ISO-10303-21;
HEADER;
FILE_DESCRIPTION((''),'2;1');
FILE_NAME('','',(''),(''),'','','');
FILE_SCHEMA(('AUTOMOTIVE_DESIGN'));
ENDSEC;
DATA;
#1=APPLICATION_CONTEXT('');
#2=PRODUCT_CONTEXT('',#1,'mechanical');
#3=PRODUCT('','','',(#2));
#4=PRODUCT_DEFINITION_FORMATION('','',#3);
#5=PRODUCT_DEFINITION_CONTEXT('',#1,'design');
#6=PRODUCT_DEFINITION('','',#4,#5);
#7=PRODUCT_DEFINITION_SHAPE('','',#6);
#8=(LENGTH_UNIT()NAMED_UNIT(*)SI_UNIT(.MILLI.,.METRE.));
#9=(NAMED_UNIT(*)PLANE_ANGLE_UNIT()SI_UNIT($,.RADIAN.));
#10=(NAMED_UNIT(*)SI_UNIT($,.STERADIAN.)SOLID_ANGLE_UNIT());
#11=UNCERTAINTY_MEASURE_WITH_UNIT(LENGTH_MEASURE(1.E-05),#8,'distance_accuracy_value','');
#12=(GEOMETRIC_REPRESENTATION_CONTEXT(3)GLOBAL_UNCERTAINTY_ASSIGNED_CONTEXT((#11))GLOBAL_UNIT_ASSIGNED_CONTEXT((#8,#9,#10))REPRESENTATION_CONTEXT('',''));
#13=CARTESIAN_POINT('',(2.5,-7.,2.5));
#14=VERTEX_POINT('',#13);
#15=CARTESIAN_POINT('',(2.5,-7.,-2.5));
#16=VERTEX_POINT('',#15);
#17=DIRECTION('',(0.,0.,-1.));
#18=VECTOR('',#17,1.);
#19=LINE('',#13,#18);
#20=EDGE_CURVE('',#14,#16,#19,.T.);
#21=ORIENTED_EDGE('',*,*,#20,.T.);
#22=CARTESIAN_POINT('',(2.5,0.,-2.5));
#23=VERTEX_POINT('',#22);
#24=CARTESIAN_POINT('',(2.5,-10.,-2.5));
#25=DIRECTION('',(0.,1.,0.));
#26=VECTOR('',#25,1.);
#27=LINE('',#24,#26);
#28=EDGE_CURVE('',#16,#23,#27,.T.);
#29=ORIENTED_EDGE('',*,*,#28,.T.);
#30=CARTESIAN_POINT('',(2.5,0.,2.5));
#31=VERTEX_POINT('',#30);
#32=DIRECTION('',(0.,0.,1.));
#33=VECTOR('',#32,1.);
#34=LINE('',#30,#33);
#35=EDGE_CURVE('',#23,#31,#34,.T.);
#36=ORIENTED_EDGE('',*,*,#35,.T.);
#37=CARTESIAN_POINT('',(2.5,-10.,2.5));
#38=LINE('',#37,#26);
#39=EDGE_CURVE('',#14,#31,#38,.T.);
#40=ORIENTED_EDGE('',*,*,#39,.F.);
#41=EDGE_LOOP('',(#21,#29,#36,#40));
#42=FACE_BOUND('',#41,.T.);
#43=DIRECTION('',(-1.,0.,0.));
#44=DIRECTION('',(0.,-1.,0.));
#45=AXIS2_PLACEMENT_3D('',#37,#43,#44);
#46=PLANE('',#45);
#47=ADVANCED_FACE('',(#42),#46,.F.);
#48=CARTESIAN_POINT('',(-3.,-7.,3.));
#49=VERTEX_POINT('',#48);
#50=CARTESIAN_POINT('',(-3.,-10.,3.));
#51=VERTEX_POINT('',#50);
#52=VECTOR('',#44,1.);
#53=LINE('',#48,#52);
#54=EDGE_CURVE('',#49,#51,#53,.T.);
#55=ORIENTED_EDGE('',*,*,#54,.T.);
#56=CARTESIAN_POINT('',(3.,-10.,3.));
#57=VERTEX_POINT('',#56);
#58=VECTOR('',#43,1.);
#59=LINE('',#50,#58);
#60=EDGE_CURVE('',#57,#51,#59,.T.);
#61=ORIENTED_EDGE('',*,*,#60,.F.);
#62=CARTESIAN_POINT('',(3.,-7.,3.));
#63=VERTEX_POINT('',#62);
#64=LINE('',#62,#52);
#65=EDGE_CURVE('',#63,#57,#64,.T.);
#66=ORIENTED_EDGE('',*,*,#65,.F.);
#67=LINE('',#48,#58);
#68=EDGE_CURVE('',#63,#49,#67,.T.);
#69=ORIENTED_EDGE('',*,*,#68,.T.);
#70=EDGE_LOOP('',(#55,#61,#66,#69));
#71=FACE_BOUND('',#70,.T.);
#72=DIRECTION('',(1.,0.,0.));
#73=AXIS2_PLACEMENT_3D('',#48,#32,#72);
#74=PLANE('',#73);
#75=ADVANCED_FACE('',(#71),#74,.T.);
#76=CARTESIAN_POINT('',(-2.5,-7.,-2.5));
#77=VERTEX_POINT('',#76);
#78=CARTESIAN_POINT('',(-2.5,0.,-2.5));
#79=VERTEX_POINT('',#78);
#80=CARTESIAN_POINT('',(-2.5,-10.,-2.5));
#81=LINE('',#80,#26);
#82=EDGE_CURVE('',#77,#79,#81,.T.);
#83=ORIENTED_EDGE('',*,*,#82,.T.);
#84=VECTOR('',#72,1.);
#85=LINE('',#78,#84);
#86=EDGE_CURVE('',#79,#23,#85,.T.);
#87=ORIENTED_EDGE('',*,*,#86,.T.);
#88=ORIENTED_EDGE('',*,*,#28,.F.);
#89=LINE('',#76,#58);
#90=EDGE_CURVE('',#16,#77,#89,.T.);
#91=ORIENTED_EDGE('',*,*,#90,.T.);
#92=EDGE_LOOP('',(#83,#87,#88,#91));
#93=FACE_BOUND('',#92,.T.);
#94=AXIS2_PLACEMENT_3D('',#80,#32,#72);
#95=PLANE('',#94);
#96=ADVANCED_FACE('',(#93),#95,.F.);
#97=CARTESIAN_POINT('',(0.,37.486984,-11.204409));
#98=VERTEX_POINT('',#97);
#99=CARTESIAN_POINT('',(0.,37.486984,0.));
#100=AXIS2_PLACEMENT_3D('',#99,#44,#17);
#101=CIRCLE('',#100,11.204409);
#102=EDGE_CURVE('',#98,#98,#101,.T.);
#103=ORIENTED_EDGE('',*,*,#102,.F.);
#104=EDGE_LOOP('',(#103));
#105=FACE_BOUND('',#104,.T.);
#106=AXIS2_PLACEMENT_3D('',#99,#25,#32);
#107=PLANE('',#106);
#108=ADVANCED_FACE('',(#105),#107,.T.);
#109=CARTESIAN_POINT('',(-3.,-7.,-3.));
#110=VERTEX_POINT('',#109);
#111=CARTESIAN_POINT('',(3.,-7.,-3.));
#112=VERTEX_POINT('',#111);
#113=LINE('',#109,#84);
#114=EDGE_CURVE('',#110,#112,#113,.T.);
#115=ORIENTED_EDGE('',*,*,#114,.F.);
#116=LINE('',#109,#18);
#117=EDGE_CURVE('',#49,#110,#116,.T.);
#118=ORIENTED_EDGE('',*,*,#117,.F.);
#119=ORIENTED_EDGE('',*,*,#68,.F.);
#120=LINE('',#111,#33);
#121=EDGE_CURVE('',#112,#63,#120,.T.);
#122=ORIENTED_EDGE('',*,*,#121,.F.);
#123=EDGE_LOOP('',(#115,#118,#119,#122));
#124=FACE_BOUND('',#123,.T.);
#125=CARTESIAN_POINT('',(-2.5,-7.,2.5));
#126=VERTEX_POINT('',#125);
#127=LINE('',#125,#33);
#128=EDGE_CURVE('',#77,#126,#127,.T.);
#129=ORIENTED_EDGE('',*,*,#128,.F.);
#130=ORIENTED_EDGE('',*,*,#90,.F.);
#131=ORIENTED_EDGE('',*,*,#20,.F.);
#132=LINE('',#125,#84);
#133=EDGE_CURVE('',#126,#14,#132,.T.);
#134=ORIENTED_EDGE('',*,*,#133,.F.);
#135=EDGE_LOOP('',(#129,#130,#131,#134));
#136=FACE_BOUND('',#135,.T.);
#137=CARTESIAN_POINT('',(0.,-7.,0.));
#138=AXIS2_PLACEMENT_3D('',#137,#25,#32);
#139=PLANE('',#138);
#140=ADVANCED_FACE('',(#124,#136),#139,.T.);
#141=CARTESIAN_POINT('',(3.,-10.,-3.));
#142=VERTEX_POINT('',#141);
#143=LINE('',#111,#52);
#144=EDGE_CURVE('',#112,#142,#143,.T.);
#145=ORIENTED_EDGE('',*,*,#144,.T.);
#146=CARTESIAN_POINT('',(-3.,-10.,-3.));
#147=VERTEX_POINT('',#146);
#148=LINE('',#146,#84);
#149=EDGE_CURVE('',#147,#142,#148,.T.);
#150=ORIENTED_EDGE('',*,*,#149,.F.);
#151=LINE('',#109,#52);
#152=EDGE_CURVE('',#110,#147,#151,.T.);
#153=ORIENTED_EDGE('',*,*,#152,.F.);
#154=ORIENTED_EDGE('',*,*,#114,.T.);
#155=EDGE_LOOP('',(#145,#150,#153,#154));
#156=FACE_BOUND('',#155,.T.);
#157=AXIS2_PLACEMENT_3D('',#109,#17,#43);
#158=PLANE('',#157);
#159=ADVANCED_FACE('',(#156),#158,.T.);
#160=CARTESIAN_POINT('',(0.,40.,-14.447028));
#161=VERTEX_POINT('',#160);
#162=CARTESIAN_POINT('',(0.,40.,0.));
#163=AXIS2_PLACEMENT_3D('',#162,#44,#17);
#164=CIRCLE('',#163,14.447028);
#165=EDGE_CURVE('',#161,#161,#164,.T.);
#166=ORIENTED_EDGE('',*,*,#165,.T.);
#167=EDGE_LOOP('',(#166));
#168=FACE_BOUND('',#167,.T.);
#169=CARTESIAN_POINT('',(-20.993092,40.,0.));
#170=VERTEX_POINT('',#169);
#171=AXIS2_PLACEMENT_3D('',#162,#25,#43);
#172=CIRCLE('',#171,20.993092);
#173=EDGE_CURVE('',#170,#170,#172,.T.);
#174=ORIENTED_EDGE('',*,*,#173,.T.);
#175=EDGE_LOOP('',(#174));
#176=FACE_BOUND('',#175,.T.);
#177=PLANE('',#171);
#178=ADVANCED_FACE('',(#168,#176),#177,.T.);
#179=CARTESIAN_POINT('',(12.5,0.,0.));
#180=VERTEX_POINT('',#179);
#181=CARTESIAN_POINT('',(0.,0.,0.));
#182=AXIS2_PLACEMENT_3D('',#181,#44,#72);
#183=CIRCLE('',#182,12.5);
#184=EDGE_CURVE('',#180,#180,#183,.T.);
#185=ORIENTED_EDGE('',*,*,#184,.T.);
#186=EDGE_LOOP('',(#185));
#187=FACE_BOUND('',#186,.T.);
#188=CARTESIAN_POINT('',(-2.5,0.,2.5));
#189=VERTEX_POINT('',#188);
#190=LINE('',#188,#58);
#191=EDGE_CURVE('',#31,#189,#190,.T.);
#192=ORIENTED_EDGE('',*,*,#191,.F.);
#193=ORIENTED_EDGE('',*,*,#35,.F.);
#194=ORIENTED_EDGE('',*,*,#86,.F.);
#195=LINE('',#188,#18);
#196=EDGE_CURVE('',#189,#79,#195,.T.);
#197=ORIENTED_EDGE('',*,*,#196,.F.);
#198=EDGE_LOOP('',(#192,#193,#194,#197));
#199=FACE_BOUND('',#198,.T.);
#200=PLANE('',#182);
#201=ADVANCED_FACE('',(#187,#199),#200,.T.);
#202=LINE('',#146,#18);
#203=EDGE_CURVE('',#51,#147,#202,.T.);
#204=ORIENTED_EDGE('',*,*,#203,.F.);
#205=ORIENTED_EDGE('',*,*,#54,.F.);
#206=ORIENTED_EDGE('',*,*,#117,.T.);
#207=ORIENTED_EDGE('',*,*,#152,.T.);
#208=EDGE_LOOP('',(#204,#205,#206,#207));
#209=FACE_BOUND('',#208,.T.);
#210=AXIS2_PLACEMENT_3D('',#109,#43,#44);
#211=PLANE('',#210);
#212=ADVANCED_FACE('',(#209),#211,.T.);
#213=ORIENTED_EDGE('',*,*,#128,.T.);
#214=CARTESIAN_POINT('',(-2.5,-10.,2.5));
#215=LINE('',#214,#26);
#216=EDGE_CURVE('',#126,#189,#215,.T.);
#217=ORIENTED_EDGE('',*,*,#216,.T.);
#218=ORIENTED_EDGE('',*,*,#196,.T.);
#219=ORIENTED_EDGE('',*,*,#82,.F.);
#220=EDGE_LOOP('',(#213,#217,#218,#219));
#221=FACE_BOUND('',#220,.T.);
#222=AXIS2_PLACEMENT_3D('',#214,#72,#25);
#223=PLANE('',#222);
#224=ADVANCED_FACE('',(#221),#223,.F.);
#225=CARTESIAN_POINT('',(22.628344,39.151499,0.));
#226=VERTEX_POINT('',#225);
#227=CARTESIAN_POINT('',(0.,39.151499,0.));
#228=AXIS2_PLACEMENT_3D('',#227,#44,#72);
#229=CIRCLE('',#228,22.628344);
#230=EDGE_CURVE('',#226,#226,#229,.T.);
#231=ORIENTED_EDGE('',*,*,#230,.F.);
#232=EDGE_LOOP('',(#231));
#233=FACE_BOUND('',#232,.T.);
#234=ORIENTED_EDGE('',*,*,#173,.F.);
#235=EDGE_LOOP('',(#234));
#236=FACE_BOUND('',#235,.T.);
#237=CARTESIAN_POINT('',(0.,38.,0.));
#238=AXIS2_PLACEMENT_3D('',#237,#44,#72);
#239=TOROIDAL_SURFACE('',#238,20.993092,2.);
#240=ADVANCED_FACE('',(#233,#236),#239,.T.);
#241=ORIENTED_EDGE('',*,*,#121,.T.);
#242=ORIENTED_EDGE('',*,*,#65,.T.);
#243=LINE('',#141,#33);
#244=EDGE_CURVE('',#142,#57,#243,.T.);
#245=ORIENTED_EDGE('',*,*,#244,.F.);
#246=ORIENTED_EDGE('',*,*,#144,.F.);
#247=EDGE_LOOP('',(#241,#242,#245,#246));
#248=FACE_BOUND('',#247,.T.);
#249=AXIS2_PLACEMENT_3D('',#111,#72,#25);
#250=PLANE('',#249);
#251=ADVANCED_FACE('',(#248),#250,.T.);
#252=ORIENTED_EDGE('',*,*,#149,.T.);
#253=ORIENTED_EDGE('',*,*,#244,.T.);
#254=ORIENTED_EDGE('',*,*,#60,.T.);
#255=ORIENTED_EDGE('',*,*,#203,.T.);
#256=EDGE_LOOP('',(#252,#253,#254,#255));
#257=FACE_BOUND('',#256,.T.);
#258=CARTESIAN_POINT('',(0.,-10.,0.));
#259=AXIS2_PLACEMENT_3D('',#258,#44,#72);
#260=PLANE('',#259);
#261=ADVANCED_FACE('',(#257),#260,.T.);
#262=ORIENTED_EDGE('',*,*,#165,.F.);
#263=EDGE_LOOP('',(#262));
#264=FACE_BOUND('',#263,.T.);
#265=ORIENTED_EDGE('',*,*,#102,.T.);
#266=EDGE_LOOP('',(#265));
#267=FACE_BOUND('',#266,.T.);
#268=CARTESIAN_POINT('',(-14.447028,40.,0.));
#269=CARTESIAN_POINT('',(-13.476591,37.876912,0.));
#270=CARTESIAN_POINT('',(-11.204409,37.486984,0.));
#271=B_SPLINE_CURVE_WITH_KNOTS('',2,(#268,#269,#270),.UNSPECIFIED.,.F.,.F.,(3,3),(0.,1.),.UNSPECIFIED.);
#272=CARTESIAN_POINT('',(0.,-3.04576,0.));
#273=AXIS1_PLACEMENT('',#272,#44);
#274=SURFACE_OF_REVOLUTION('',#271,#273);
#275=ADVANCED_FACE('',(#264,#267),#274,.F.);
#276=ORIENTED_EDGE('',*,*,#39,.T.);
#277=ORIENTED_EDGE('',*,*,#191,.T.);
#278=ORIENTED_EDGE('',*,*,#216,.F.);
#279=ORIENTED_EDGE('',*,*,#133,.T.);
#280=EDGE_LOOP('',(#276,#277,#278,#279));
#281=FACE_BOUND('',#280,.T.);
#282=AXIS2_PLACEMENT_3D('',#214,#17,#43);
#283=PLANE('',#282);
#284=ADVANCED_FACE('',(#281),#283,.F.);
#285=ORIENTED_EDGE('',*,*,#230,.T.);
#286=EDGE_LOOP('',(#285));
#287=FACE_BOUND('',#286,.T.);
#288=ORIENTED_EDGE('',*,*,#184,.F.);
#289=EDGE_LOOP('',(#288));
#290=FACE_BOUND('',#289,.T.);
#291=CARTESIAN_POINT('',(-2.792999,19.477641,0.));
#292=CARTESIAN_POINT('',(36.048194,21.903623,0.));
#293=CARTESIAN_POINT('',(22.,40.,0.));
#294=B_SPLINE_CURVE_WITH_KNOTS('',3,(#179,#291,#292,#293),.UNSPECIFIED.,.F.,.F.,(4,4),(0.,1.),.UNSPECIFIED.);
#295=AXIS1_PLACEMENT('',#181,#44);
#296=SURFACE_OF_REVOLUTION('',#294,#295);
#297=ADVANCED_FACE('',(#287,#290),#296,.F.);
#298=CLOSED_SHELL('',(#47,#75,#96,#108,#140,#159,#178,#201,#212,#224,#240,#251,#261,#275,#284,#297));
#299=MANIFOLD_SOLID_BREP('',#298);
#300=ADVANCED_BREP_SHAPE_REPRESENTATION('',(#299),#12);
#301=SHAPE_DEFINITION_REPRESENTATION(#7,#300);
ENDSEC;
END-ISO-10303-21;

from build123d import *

# Parameters (mm, degrees)
CONG_2_R           = 2
ESQUISSE3_W        = 5
ESQUISSE3_H        = 5
BOSS_EXTRU_1_DEPTH = 10
ESQUISSE4_W        = 6
ESQUISSE4_H        = 6
BOSS_EXTRU_2_DEPTH = 3


with BuildPart() as part:
    # Esquisse1 → Révolution1 (revolve)
    with BuildSketch(Plane.XY):
        with BuildLine():
            Line((0, 0), (12.5, 0))
            add(Edge.make_bspline(
                [(12.5, 0), (-2.792999131, 19.477640693), (36.048194097, 21.903623333), (22, 40)],
                knots=[0, 0, 0, 0, 1, 1, 1, 1], degree=3))
            Line((22, 40), (0, 40))
            Line((0, 40), (0, 0))
        make_face()
    revolve(axis=Axis((0, 0, 0), (0, 1, 0)))

    # Esquisse2 → Enlèvement de matière-Révolution1 (revolve, cut)
    with BuildSketch(Plane.XY):
        with BuildLine():
            Line((-14.44702814, 40), (0, 40))
            Line((0, 40), (0, 37.486983962))
            Line((0, 37.486983962), (-11.204408598, 37.486983962))
            add(Edge.make_bspline(
                [(-14.44702814, 40), (-13.476590785, 37.876911576), (-11.204408598, 37.486983962)],
                knots=[0, 0, 0, 1, 1, 1], degree=2))
        make_face()
    revolve(axis=Axis((0, -3.04576032, 0), (0, 1, 0)), mode=Mode.SUBTRACT)

    # Congé2
    cong_2_edges = [part.edges().sort_by_distance(p)[0] for p in [
        (-22, 40, 0),
    ]]
    fillet(cong_2_edges, radius=CONG_2_R)

    # Esquisse3 → Boss.-Extru.1 (add)
    with BuildSketch(Plane.XZ):
        Rectangle(ESQUISSE3_W, ESQUISSE3_H)
    extrude(amount=BOSS_EXTRU_1_DEPTH)

    # Esquisse4 → Boss.-Extru.2 (add)
    with BuildSketch(Plane.XZ.offset(10)):
        Rectangle(ESQUISSE4_W, ESQUISSE4_H)
    extrude(amount=-BOSS_EXTRU_2_DEPTH)


solid = part.part
